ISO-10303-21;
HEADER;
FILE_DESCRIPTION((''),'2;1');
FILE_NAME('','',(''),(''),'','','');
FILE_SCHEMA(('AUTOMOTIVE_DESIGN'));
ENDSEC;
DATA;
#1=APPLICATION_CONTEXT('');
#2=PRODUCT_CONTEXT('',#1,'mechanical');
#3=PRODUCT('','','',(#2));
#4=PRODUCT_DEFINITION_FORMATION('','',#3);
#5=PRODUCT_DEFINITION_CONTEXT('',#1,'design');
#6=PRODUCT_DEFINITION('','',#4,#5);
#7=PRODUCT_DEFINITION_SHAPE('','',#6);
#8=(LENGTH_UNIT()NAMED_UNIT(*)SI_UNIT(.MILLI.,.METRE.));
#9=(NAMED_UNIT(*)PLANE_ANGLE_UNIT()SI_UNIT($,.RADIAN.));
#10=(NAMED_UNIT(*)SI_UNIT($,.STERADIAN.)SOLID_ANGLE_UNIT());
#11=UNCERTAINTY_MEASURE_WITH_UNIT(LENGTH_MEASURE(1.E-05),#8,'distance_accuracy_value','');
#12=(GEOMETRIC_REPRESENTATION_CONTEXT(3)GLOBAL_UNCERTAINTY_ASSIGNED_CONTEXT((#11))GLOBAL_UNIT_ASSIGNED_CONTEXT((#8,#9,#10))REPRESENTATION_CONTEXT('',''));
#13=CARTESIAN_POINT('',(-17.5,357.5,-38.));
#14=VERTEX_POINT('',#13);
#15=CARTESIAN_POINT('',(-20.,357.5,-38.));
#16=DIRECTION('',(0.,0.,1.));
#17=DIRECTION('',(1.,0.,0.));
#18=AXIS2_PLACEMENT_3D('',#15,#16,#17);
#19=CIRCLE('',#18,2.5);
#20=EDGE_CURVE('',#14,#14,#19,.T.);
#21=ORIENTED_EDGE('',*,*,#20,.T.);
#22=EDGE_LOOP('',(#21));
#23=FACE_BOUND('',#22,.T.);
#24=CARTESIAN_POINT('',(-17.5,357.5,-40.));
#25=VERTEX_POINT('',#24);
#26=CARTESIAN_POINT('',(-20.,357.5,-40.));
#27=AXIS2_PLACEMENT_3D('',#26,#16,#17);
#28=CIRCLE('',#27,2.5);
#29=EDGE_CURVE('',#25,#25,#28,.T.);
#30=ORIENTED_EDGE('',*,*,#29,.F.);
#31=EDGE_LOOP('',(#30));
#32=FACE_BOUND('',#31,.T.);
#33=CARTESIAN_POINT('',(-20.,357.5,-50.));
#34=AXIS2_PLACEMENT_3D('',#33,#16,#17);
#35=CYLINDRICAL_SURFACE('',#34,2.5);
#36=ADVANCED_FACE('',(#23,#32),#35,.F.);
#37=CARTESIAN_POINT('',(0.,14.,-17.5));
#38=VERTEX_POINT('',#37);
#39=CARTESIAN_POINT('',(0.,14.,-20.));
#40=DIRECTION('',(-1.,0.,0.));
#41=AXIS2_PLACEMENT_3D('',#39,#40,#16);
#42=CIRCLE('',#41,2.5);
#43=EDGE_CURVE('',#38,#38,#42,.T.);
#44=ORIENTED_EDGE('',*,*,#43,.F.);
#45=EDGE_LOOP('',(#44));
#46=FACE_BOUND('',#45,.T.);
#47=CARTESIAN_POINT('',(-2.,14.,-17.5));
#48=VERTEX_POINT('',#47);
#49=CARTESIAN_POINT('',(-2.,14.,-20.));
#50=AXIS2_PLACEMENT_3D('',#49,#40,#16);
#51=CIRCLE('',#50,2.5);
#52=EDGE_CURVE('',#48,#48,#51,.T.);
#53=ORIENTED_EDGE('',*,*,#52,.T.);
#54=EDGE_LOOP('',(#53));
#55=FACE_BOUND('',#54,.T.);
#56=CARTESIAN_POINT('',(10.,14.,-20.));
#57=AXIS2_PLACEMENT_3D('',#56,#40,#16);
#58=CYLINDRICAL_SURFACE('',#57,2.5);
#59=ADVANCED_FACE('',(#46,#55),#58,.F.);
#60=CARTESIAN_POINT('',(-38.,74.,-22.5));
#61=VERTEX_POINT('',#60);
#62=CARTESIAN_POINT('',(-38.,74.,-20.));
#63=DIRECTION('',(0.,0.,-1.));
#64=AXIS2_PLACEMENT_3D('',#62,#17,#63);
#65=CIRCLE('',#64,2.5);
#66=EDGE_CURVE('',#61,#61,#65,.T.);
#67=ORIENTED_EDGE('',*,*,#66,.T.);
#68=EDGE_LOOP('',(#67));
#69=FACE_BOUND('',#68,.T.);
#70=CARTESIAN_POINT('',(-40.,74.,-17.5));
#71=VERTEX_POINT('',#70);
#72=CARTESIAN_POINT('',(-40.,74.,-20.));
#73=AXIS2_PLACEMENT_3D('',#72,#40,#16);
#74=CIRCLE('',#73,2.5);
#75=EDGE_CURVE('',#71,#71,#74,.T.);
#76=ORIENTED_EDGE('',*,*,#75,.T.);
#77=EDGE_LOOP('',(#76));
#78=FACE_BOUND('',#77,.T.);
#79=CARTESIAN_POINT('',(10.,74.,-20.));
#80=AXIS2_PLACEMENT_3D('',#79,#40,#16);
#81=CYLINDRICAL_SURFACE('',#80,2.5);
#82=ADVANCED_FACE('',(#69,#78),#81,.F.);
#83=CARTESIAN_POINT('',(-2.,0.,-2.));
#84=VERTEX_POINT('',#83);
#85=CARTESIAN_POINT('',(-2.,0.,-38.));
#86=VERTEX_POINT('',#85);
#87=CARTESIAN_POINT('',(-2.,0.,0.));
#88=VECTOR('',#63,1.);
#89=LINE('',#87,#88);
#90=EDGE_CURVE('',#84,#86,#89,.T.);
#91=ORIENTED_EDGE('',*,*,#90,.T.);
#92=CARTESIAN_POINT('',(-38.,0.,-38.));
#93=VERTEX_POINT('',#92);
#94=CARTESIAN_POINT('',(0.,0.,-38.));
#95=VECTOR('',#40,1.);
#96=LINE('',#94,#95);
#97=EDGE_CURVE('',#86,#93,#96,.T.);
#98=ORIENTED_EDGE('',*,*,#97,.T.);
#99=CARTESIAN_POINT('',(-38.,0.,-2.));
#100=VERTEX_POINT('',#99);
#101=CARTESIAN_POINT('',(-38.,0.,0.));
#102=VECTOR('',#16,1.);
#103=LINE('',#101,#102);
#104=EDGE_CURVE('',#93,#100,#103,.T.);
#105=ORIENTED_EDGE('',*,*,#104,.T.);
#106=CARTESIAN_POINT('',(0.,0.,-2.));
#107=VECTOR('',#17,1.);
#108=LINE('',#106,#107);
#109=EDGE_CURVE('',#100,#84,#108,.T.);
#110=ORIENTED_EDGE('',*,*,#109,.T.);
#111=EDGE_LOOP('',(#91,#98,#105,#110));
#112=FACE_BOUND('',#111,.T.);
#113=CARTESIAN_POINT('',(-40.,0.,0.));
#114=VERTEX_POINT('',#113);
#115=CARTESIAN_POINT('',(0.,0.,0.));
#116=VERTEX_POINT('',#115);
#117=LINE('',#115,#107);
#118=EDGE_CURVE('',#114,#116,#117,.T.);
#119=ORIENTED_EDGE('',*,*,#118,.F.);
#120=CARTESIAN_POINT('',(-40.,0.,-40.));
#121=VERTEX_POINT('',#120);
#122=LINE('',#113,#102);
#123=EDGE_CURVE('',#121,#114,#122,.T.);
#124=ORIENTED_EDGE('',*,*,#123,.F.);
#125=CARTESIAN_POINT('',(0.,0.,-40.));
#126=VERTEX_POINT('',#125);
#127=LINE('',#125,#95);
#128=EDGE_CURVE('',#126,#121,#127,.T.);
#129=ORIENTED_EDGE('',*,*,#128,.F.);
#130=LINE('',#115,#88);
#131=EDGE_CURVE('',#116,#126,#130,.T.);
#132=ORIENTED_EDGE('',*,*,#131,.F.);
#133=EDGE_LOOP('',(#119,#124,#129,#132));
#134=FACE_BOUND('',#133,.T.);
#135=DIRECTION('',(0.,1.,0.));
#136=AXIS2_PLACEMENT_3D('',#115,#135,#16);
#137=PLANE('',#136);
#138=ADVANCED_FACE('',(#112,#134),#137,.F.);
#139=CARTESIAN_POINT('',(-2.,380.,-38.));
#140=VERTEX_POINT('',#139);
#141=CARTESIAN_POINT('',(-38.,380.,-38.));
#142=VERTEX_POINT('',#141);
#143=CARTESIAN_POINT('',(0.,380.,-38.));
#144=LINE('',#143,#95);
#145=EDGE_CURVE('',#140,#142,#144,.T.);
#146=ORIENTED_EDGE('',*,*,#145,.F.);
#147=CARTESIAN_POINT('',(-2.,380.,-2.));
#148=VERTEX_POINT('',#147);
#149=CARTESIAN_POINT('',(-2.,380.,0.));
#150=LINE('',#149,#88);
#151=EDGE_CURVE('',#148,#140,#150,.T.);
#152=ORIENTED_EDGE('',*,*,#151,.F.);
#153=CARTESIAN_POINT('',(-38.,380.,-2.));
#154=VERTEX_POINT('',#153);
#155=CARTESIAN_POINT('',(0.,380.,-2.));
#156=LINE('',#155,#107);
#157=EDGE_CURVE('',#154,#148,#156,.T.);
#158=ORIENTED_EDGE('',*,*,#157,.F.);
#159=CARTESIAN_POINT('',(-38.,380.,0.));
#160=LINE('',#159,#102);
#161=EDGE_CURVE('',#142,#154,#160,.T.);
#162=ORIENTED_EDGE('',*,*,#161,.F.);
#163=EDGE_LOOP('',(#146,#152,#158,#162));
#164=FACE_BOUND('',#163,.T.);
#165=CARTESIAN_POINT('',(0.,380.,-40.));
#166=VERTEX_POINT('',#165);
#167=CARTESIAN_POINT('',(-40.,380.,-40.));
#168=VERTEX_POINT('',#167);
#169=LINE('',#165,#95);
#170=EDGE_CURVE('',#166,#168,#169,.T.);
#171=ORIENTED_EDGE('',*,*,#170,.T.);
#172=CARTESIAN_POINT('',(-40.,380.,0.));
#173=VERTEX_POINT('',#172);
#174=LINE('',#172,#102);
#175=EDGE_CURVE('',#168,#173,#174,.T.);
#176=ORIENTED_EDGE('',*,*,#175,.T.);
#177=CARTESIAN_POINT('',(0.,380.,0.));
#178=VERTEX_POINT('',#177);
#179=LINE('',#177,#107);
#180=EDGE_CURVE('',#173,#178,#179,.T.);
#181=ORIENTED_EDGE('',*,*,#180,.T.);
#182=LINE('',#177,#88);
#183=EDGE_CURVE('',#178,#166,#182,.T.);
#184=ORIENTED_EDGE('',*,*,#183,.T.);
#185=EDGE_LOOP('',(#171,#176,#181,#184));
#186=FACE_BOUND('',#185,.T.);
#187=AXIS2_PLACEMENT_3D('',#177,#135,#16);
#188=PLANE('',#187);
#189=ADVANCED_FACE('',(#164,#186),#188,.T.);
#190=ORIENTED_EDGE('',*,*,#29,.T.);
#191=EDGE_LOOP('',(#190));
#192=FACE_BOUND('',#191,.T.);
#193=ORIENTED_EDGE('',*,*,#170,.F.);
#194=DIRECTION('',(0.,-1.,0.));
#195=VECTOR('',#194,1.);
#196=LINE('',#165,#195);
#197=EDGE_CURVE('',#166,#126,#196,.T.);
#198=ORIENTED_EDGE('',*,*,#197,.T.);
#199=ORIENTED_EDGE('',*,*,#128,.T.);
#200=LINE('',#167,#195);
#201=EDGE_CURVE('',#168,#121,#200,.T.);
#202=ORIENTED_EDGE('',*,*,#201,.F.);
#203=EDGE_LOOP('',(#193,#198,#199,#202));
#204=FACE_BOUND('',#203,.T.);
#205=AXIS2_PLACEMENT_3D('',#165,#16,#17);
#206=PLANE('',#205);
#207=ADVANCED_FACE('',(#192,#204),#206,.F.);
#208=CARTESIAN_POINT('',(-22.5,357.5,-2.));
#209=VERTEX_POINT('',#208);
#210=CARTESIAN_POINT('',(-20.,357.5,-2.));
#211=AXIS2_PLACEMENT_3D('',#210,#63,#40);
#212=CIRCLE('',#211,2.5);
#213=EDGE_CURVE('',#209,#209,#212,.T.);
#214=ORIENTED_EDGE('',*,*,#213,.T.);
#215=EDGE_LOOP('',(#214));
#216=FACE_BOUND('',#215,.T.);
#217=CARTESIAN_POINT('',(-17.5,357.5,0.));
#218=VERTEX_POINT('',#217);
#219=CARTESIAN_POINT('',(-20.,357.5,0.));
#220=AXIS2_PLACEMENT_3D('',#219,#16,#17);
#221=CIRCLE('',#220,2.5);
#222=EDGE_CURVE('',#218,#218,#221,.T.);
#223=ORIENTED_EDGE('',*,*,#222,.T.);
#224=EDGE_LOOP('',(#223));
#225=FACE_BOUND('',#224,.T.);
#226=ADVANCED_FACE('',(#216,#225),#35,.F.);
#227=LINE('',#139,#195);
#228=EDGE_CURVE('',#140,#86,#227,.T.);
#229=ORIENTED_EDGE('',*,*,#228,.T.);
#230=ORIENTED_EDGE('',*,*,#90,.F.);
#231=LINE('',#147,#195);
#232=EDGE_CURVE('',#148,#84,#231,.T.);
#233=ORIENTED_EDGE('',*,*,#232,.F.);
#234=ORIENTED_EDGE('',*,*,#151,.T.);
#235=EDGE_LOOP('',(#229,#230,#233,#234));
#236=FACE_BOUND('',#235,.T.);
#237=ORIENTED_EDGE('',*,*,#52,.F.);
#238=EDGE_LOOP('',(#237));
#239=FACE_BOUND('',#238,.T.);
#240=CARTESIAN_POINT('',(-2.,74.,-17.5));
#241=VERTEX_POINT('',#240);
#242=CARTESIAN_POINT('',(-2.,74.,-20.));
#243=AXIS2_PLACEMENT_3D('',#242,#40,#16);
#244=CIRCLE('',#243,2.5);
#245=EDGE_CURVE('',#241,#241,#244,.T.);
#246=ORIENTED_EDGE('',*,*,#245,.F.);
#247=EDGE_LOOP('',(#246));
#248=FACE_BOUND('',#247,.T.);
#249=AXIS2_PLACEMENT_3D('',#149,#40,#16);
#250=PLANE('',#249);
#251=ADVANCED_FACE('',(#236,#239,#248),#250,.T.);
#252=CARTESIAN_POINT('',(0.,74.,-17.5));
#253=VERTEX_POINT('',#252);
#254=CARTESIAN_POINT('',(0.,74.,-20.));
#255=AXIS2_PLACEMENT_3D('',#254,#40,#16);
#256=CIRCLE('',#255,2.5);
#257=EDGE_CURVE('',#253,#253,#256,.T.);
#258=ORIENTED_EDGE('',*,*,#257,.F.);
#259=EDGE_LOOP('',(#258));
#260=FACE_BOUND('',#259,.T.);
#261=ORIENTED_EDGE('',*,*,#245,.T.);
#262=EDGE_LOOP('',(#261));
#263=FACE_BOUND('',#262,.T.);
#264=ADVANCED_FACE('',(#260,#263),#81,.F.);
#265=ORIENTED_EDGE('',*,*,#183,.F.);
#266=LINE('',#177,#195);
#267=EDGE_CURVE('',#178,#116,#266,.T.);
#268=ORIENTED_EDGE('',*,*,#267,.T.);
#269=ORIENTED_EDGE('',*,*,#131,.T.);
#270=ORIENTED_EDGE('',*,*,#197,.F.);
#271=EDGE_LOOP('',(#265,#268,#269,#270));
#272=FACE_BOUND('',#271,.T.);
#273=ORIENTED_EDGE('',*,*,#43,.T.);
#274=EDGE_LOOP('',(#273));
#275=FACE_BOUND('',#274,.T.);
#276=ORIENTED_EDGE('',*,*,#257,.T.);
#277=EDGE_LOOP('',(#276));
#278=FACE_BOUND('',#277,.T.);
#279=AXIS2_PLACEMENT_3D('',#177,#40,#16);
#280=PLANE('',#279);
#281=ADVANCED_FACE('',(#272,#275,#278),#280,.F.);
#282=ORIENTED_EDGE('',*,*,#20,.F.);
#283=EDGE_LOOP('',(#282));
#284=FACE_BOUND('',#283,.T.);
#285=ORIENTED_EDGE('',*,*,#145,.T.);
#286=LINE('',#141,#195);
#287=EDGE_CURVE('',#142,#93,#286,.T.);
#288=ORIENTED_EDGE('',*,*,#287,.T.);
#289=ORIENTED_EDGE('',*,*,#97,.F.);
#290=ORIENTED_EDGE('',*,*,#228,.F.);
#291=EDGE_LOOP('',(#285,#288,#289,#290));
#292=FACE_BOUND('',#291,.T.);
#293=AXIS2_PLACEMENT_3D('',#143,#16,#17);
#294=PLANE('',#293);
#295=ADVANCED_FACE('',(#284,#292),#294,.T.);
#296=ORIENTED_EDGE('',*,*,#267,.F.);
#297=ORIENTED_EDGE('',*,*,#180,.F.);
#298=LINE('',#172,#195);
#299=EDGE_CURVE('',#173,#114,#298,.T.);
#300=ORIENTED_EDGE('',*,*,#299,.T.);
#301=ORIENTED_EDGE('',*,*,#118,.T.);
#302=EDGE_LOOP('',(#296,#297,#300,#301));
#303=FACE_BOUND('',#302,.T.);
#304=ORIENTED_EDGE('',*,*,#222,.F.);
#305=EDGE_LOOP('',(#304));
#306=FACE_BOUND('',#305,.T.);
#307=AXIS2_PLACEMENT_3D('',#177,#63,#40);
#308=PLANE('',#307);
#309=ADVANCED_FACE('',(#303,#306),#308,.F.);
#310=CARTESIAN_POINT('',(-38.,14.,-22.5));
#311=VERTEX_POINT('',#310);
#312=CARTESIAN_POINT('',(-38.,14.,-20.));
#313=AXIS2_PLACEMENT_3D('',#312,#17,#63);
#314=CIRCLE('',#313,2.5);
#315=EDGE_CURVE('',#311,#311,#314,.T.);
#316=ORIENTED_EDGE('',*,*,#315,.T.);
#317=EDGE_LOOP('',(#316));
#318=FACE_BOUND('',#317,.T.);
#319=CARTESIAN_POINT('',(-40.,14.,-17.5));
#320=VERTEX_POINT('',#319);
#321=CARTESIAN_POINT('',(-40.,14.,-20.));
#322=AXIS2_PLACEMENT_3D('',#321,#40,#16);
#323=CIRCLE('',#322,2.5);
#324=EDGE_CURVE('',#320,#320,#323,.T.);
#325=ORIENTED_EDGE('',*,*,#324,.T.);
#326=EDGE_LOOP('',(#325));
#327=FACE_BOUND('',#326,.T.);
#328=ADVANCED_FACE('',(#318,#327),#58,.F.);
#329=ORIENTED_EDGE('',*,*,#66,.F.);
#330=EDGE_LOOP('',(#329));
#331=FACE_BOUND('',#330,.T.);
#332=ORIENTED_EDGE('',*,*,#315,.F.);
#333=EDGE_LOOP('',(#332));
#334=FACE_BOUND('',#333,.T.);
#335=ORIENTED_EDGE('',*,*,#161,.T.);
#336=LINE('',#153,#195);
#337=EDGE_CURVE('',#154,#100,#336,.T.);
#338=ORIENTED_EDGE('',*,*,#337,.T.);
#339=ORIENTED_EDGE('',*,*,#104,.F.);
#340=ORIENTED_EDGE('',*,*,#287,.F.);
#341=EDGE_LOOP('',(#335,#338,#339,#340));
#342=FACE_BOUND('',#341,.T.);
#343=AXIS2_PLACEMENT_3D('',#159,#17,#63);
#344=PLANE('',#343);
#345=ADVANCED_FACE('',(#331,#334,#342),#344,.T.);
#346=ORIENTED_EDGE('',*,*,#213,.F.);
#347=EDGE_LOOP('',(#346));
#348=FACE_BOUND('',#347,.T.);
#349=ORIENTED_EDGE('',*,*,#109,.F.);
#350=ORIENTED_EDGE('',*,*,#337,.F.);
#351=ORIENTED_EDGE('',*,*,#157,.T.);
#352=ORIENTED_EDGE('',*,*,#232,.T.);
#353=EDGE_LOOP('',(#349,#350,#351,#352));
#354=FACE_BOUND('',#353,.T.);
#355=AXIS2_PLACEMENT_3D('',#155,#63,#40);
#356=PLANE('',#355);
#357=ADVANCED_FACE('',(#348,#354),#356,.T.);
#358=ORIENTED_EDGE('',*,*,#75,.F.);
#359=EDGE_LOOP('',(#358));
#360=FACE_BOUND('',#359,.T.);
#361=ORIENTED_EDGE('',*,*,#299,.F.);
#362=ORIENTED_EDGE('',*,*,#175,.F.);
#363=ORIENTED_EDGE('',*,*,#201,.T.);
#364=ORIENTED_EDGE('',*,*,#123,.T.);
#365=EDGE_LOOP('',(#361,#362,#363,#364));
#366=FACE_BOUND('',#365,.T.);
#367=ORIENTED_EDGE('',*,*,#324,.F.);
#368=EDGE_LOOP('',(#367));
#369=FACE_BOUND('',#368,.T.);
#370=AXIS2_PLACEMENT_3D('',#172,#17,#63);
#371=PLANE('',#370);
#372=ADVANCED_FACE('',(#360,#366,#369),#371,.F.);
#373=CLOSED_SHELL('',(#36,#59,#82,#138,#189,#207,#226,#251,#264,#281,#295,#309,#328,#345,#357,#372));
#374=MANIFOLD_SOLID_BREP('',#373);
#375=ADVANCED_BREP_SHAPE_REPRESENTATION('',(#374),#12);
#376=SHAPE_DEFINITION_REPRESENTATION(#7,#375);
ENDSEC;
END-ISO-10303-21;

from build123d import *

# Parameters (mm, degrees)
SKETCH1_W           = 40
SKETCH1_H           = 40
SKETCH1_W_2         = 36
SKETCH1_H_2         = 36
EXTRUDE_THIN1_DEPTH = 380
SKETCH2_R           = 2.5
CUT_EXTRUDE1_DEPTH  = 50
SKETCH3_R           = 2.5
CUT_EXTRUDE2_DEPTH  = 50


with BuildPart() as part:
    # Sketch1 → Extrude-Thin1 (new body)
    with BuildSketch(Plane(origin=(0, 0, 0), x_dir=(1, 0, 0), z_dir=(0, 1, 0))):
        with Locations((-20, 20)):
            Rectangle(SKETCH1_W, SKETCH1_H)
        with Locations((-20, 20)):
            Rectangle(SKETCH1_W_2, SKETCH1_H_2, mode=Mode.SUBTRACT)
    extrude(amount=EXTRUDE_THIN1_DEPTH)

    # Sketch2 → Cut-Extrude1 (cut)
    with BuildSketch(Plane.XY):
        with Locations((-20, 357.5)):
            Circle(SKETCH2_R)
    extrude(amount=-CUT_EXTRUDE1_DEPTH, mode=Mode.SUBTRACT)

    # Sketch3 → Cut-Extrude2 (cut)
    with BuildSketch(Plane.ZY.offset(40)):
        with Locations((-20, 14)):
            Circle(SKETCH3_R)
        with Locations((-20, 74)):
            Circle(SKETCH3_R)
    extrude(amount=-CUT_EXTRUDE2_DEPTH, mode=Mode.SUBTRACT)


solid = part.part
